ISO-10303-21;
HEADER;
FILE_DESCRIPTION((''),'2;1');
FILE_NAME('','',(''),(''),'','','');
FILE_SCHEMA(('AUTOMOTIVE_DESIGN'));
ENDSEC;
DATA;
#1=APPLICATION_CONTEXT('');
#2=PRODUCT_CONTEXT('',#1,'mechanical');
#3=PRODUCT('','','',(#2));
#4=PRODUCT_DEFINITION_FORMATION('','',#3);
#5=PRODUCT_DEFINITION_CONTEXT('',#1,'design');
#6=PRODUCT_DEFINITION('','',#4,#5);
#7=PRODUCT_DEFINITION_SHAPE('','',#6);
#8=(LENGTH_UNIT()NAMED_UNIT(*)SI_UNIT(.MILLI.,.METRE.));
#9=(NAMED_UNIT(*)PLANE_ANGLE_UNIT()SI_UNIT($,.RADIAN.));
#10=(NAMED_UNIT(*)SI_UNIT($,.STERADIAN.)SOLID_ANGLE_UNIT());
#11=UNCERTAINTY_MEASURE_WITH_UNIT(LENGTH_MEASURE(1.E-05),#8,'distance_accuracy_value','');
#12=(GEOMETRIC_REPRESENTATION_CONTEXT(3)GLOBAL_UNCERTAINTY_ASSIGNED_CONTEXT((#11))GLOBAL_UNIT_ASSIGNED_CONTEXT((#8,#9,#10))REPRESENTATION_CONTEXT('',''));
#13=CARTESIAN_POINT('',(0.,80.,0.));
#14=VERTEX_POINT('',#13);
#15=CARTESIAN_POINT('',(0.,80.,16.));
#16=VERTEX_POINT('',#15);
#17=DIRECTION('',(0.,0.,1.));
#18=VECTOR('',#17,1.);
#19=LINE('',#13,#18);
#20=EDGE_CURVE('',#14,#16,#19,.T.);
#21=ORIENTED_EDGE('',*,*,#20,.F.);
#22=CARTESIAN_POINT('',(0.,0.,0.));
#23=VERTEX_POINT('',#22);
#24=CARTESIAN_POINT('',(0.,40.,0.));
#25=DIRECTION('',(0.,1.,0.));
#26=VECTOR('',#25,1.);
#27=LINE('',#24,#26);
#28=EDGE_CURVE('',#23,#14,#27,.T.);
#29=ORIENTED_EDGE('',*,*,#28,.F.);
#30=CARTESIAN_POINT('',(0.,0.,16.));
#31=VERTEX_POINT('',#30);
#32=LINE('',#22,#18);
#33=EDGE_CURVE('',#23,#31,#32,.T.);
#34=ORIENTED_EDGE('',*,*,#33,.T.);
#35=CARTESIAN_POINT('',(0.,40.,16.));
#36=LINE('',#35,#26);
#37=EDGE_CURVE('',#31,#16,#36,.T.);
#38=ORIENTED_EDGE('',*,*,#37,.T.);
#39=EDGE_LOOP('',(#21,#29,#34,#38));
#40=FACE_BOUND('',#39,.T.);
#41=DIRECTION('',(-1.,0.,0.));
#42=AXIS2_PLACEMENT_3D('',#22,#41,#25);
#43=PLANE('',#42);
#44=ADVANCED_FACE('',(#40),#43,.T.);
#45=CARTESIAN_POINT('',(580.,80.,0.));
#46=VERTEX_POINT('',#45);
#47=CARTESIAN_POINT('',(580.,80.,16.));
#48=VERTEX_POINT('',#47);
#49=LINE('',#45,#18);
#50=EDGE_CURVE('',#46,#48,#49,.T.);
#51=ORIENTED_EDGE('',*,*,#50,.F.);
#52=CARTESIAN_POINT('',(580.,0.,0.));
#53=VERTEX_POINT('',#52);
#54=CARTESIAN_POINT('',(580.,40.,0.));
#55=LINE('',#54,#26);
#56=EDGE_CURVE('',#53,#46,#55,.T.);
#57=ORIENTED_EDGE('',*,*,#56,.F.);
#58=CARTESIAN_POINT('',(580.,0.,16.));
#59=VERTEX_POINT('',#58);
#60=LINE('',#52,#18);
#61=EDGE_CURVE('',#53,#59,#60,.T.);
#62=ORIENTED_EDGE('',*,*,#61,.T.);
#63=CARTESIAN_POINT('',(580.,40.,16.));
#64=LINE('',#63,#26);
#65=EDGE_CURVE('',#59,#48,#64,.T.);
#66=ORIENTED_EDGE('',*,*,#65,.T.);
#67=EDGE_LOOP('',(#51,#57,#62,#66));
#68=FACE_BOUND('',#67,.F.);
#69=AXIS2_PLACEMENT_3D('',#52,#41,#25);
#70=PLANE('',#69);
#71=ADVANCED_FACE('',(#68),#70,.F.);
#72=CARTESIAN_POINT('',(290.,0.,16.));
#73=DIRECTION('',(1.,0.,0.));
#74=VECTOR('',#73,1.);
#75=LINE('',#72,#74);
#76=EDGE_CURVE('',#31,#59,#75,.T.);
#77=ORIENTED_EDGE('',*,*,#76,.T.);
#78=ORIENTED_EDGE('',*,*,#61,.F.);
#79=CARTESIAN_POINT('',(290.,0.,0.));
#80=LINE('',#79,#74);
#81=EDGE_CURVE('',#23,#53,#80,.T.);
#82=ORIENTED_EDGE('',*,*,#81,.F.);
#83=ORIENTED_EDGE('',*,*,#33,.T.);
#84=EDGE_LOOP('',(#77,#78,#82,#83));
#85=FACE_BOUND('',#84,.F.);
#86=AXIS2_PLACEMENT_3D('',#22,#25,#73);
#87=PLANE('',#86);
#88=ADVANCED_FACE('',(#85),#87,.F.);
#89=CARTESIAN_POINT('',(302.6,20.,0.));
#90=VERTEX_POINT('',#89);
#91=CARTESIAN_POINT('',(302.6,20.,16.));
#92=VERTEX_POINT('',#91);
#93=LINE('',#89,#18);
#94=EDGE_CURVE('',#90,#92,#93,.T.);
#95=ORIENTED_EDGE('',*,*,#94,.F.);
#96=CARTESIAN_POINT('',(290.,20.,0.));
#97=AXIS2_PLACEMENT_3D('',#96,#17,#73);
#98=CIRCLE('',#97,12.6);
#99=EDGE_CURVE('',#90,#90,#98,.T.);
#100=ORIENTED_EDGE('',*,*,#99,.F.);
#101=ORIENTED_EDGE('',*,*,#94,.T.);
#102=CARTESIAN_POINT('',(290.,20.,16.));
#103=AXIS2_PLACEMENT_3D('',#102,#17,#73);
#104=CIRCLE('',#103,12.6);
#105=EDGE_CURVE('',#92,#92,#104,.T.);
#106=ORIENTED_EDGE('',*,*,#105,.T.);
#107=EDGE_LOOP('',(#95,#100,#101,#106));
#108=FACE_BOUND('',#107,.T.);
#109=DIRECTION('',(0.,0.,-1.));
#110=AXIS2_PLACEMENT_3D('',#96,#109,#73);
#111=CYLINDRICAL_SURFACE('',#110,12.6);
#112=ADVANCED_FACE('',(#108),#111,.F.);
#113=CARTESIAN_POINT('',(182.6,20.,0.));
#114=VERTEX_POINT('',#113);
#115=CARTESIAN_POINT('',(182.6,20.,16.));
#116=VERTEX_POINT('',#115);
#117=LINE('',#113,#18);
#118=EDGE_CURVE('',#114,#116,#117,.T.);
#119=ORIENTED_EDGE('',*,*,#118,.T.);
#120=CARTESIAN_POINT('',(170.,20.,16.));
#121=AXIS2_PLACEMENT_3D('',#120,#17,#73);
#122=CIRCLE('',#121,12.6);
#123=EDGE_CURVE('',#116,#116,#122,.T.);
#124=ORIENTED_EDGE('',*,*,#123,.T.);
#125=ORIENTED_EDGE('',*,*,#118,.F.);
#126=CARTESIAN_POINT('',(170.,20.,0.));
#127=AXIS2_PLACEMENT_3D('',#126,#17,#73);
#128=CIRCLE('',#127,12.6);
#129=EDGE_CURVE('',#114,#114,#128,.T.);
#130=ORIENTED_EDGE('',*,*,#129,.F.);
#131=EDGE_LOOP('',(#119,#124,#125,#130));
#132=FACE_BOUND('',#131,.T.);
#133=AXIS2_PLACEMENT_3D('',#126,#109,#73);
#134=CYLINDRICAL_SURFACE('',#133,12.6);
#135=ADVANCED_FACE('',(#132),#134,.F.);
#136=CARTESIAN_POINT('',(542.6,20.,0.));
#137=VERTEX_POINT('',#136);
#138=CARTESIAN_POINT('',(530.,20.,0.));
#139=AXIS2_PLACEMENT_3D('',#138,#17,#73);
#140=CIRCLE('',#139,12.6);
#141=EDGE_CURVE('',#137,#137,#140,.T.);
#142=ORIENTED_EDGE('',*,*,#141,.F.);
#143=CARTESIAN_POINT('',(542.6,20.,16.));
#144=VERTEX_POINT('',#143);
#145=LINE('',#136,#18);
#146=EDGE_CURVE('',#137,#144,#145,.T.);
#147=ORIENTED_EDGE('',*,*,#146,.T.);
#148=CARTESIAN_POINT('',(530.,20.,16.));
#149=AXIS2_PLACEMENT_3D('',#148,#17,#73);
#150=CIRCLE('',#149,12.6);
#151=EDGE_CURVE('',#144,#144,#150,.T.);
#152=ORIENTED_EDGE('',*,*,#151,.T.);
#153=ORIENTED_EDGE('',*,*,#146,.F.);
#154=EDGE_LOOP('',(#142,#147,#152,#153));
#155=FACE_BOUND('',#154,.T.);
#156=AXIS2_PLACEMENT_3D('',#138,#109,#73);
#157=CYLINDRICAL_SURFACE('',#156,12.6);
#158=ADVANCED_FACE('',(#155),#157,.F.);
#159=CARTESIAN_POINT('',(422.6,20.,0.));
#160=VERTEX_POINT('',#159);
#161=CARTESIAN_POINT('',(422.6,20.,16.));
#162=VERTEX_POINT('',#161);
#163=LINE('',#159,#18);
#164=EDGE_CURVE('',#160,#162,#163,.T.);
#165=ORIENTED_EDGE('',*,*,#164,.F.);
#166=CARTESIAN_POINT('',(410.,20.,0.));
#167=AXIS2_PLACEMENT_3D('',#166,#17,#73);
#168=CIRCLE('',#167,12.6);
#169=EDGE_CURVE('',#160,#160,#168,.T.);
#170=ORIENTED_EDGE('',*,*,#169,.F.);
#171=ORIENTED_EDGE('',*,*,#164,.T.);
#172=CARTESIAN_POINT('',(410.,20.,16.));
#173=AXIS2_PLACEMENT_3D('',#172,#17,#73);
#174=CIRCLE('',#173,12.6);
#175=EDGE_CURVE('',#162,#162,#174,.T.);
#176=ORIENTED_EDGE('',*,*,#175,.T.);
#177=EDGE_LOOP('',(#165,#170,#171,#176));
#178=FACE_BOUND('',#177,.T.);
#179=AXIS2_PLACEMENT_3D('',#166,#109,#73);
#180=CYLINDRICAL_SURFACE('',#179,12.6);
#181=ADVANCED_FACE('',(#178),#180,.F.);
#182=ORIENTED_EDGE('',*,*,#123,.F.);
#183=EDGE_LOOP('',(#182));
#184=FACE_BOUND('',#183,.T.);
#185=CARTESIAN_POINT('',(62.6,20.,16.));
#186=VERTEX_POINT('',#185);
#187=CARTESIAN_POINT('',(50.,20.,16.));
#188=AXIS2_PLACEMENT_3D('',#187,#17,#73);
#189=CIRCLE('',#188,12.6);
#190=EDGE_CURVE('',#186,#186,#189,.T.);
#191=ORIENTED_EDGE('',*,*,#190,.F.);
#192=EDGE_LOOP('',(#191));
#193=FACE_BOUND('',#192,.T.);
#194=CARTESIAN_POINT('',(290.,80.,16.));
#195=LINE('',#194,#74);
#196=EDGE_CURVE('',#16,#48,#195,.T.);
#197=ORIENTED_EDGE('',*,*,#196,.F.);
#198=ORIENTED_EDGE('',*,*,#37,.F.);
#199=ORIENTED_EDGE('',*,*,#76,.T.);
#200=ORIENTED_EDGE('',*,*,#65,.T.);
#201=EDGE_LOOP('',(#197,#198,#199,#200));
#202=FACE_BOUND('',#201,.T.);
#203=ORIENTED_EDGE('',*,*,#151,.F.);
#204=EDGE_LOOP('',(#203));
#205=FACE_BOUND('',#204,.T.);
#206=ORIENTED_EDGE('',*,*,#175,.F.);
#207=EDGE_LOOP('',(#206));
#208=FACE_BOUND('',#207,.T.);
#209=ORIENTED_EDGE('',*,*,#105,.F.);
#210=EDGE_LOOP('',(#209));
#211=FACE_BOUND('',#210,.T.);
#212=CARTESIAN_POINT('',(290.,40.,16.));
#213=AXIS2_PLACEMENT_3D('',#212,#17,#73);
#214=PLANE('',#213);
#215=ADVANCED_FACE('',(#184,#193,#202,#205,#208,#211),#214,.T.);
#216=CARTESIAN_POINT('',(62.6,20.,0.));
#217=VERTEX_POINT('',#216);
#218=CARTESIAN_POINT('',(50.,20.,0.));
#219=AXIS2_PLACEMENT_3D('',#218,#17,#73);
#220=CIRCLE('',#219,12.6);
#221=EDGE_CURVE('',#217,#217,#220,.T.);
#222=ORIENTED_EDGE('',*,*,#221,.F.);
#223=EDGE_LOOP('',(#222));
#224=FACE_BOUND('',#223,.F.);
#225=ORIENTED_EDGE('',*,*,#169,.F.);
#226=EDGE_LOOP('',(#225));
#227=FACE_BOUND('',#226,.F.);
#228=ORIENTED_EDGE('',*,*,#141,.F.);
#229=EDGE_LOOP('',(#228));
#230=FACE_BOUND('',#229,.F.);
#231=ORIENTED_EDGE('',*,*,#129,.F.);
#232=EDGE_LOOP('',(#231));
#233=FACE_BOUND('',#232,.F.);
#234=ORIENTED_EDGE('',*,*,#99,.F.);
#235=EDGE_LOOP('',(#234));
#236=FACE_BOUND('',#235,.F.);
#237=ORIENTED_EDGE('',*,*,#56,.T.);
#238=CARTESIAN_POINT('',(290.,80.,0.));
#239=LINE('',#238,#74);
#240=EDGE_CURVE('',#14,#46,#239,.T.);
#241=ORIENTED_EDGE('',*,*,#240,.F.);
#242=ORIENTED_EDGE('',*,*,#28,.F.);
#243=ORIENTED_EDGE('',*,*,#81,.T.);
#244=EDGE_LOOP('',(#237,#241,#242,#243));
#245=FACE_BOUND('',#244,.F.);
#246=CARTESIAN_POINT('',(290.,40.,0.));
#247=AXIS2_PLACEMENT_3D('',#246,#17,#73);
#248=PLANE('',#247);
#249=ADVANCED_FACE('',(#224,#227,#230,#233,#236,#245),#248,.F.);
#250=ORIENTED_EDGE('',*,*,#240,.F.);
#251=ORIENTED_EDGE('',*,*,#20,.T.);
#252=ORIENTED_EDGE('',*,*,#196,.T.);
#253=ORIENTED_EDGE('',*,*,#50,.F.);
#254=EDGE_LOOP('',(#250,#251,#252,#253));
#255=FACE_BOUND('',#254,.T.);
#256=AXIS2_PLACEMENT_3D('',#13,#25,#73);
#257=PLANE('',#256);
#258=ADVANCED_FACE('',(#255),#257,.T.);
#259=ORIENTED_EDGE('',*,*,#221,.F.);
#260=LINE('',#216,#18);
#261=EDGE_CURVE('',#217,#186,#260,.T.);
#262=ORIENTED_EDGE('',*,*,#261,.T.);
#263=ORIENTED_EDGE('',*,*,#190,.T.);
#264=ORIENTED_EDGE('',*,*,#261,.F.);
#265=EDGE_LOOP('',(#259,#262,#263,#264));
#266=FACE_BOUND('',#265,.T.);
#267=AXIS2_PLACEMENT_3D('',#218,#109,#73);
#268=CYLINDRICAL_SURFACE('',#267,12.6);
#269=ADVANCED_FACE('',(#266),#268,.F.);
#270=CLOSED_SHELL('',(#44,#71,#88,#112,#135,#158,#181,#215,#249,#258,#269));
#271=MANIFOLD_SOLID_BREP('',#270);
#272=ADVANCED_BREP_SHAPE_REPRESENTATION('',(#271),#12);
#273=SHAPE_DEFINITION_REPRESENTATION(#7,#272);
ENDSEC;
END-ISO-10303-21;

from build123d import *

# Parameters (mm, degrees)
SKETCH1_W           = 580
SKETCH1_H           = 80
SKETCH1_R           = 12.6
BOSS_EXTRUDE1_DEPTH = 16


with BuildPart() as part:
    # Sketch1 → Boss-Extrude1 (new body)
    with BuildSketch(Plane.XY):
        with Locations((290, 40)):
            Rectangle(SKETCH1_W, SKETCH1_H)
        with Locations((530, 20)):
            Circle(SKETCH1_R, mode=Mode.SUBTRACT)
        with Locations((410, 20)):
            Circle(SKETCH1_R, mode=Mode.SUBTRACT)
        with Locations((290, 20)):
            Circle(SKETCH1_R, mode=Mode.SUBTRACT)
        with Locations((170, 20)):
            Circle(SKETCH1_R, mode=Mode.SUBTRACT)
        with Locations((50, 20)):
            Circle(SKETCH1_R, mode=Mode.SUBTRACT)
    extrude(amount=BOSS_EXTRUDE1_DEPTH)


solid = part.part
